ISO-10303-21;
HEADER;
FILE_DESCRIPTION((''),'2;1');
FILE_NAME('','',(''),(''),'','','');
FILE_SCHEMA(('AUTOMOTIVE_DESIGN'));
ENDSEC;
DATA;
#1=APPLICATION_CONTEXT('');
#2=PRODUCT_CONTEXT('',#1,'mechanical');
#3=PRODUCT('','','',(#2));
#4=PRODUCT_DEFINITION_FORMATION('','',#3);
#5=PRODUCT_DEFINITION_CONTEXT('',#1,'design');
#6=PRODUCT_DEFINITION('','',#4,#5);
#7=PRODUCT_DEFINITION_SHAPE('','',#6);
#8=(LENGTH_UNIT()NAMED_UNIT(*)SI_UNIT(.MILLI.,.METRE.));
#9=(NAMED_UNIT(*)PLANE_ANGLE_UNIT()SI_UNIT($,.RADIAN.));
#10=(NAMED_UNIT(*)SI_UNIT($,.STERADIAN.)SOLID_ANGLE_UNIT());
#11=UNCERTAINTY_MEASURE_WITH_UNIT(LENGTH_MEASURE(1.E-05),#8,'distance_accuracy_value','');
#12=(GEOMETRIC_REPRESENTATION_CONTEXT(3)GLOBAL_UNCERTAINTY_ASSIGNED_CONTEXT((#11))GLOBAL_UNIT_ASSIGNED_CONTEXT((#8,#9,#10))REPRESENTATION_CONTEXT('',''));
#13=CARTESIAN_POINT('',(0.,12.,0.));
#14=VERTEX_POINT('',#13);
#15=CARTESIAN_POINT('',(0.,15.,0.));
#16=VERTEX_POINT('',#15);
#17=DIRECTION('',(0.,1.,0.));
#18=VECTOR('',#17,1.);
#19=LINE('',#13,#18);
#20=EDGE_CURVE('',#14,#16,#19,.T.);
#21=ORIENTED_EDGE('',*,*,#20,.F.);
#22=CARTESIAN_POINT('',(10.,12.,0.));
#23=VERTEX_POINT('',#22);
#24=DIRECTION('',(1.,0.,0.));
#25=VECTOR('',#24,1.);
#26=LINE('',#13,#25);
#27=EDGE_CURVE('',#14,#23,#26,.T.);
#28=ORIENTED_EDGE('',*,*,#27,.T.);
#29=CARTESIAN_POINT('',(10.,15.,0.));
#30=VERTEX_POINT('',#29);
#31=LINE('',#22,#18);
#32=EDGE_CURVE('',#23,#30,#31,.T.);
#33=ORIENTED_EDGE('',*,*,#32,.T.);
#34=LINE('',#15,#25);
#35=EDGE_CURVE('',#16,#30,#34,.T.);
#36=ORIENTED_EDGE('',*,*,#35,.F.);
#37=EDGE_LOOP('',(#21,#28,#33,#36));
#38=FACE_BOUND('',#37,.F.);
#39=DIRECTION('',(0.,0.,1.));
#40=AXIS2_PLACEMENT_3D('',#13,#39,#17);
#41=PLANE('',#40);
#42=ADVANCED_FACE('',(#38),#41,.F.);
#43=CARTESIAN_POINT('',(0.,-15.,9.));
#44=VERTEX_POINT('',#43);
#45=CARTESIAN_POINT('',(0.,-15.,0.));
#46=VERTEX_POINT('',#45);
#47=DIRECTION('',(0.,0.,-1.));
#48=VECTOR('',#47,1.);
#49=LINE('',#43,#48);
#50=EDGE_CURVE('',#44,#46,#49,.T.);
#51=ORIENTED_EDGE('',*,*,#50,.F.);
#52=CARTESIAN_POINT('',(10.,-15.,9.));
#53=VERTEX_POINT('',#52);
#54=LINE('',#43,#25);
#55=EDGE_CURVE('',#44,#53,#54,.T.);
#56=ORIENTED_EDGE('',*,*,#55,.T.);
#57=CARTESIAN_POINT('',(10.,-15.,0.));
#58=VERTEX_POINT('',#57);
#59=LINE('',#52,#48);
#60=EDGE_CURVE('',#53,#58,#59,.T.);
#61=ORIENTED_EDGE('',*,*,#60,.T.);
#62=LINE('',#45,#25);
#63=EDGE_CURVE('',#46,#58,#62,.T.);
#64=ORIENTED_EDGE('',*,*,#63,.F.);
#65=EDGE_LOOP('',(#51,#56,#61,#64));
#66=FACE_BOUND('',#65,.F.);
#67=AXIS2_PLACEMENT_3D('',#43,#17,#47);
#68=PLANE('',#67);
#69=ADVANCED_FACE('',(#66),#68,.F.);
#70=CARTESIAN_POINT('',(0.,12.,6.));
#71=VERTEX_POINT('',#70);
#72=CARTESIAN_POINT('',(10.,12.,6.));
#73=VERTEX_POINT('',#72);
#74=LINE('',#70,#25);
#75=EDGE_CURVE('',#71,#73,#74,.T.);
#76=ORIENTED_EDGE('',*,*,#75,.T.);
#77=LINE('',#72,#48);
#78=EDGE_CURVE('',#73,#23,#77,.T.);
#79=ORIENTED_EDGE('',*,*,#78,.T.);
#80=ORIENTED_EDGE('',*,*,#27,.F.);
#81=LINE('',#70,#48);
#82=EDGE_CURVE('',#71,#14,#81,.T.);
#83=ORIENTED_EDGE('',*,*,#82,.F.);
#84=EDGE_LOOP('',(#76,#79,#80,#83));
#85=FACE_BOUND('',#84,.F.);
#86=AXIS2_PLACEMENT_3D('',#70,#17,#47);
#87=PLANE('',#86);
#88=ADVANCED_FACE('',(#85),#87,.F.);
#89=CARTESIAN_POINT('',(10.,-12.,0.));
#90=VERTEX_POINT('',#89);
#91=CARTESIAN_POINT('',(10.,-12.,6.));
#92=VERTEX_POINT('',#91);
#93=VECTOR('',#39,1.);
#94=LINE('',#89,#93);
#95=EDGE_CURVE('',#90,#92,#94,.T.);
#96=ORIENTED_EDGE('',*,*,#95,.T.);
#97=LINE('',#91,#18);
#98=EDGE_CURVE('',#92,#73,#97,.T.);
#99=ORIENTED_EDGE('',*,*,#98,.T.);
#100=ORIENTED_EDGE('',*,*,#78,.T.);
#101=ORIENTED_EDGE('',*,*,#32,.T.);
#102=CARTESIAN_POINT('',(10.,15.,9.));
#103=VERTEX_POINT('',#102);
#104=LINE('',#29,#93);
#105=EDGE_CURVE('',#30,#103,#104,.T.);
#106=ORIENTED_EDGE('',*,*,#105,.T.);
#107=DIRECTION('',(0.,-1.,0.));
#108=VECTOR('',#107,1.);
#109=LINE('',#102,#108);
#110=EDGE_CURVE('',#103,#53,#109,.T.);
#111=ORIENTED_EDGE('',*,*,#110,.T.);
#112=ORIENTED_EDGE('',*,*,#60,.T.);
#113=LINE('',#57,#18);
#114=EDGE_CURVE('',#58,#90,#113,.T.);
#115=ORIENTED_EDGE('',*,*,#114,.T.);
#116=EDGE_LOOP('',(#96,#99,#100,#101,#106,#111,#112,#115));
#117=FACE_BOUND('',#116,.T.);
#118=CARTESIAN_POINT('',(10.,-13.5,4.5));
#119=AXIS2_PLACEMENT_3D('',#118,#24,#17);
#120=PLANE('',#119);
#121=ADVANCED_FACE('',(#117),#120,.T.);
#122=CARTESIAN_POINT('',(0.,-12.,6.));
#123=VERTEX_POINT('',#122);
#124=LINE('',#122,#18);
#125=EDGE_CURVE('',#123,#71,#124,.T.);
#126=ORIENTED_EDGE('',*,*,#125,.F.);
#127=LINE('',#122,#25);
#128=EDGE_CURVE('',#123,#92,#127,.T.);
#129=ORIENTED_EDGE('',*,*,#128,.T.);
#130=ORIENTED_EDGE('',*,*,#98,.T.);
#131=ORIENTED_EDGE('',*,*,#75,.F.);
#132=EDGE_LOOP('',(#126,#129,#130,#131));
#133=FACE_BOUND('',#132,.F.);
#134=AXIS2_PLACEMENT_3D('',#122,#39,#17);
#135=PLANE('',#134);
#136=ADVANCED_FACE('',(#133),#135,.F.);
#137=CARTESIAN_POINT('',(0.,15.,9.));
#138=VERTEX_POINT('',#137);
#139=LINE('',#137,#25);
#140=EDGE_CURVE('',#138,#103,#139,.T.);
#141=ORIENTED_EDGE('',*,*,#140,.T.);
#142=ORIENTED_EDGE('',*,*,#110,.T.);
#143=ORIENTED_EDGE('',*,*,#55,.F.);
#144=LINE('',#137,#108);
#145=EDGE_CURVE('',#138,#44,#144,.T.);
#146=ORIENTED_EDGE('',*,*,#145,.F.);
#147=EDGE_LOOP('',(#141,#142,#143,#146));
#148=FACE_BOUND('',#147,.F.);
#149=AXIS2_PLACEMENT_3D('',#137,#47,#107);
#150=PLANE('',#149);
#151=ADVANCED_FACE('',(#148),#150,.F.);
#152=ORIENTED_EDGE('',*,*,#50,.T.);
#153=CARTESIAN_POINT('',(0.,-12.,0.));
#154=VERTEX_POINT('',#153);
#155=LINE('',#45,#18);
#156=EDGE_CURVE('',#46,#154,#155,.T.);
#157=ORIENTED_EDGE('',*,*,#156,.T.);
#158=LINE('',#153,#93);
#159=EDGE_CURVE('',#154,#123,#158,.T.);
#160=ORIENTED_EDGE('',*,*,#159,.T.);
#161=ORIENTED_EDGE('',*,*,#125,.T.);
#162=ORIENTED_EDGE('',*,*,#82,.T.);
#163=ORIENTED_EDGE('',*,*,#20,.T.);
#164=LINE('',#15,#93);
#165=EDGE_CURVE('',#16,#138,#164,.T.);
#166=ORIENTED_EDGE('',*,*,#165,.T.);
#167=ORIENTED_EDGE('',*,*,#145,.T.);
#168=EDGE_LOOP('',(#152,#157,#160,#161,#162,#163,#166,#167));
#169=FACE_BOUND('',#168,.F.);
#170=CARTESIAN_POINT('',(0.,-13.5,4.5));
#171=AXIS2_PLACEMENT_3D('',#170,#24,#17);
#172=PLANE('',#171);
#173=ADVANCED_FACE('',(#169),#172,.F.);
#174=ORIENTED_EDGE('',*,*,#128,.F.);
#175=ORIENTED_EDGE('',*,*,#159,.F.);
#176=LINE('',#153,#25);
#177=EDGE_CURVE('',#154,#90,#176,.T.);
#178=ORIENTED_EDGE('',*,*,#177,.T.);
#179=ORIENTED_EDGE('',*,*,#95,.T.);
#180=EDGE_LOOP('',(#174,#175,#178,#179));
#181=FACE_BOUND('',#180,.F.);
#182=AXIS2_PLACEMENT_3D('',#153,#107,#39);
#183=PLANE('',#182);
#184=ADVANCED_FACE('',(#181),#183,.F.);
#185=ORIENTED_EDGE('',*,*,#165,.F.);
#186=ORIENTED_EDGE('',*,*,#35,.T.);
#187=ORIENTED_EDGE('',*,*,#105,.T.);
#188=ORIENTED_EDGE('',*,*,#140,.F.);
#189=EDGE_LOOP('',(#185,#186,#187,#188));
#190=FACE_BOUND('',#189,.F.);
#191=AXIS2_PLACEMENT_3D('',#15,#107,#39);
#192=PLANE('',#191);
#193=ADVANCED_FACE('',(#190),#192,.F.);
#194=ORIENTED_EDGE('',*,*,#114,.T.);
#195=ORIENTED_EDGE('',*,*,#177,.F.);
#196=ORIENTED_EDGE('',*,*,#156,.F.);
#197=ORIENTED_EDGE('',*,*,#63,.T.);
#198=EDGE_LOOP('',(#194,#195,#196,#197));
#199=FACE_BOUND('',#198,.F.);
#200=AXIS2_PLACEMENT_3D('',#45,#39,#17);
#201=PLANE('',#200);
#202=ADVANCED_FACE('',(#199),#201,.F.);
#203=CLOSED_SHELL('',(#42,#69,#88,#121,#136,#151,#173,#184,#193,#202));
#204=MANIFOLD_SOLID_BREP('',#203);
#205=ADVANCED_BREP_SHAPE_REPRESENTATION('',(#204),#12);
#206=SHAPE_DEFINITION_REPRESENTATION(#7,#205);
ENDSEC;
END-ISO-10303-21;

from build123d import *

# Parameters (mm, degrees)
F0_W     = 12
F0_H     = 3
F1_DEPTH = 10


with BuildPart() as f1:
    # F0 (on Right) → F1 (new body)
    with BuildSketch(Plane.YZ):
        Polygon((-15, 9), (-15, 0), (-12, 0), (-12, 6), (-12, 9), align=None)
        with Locations((-6, 7.5)):
            Rectangle(F0_W, F0_H)
        with Locations((6, 7.5)):
            Rectangle(F0_W, F0_H)
        Polygon((12, 9), (12, 6), (12, 0), (15, 0), (15, 9), align=None)
    extrude(amount=F1_DEPTH)


solid = f1.part
